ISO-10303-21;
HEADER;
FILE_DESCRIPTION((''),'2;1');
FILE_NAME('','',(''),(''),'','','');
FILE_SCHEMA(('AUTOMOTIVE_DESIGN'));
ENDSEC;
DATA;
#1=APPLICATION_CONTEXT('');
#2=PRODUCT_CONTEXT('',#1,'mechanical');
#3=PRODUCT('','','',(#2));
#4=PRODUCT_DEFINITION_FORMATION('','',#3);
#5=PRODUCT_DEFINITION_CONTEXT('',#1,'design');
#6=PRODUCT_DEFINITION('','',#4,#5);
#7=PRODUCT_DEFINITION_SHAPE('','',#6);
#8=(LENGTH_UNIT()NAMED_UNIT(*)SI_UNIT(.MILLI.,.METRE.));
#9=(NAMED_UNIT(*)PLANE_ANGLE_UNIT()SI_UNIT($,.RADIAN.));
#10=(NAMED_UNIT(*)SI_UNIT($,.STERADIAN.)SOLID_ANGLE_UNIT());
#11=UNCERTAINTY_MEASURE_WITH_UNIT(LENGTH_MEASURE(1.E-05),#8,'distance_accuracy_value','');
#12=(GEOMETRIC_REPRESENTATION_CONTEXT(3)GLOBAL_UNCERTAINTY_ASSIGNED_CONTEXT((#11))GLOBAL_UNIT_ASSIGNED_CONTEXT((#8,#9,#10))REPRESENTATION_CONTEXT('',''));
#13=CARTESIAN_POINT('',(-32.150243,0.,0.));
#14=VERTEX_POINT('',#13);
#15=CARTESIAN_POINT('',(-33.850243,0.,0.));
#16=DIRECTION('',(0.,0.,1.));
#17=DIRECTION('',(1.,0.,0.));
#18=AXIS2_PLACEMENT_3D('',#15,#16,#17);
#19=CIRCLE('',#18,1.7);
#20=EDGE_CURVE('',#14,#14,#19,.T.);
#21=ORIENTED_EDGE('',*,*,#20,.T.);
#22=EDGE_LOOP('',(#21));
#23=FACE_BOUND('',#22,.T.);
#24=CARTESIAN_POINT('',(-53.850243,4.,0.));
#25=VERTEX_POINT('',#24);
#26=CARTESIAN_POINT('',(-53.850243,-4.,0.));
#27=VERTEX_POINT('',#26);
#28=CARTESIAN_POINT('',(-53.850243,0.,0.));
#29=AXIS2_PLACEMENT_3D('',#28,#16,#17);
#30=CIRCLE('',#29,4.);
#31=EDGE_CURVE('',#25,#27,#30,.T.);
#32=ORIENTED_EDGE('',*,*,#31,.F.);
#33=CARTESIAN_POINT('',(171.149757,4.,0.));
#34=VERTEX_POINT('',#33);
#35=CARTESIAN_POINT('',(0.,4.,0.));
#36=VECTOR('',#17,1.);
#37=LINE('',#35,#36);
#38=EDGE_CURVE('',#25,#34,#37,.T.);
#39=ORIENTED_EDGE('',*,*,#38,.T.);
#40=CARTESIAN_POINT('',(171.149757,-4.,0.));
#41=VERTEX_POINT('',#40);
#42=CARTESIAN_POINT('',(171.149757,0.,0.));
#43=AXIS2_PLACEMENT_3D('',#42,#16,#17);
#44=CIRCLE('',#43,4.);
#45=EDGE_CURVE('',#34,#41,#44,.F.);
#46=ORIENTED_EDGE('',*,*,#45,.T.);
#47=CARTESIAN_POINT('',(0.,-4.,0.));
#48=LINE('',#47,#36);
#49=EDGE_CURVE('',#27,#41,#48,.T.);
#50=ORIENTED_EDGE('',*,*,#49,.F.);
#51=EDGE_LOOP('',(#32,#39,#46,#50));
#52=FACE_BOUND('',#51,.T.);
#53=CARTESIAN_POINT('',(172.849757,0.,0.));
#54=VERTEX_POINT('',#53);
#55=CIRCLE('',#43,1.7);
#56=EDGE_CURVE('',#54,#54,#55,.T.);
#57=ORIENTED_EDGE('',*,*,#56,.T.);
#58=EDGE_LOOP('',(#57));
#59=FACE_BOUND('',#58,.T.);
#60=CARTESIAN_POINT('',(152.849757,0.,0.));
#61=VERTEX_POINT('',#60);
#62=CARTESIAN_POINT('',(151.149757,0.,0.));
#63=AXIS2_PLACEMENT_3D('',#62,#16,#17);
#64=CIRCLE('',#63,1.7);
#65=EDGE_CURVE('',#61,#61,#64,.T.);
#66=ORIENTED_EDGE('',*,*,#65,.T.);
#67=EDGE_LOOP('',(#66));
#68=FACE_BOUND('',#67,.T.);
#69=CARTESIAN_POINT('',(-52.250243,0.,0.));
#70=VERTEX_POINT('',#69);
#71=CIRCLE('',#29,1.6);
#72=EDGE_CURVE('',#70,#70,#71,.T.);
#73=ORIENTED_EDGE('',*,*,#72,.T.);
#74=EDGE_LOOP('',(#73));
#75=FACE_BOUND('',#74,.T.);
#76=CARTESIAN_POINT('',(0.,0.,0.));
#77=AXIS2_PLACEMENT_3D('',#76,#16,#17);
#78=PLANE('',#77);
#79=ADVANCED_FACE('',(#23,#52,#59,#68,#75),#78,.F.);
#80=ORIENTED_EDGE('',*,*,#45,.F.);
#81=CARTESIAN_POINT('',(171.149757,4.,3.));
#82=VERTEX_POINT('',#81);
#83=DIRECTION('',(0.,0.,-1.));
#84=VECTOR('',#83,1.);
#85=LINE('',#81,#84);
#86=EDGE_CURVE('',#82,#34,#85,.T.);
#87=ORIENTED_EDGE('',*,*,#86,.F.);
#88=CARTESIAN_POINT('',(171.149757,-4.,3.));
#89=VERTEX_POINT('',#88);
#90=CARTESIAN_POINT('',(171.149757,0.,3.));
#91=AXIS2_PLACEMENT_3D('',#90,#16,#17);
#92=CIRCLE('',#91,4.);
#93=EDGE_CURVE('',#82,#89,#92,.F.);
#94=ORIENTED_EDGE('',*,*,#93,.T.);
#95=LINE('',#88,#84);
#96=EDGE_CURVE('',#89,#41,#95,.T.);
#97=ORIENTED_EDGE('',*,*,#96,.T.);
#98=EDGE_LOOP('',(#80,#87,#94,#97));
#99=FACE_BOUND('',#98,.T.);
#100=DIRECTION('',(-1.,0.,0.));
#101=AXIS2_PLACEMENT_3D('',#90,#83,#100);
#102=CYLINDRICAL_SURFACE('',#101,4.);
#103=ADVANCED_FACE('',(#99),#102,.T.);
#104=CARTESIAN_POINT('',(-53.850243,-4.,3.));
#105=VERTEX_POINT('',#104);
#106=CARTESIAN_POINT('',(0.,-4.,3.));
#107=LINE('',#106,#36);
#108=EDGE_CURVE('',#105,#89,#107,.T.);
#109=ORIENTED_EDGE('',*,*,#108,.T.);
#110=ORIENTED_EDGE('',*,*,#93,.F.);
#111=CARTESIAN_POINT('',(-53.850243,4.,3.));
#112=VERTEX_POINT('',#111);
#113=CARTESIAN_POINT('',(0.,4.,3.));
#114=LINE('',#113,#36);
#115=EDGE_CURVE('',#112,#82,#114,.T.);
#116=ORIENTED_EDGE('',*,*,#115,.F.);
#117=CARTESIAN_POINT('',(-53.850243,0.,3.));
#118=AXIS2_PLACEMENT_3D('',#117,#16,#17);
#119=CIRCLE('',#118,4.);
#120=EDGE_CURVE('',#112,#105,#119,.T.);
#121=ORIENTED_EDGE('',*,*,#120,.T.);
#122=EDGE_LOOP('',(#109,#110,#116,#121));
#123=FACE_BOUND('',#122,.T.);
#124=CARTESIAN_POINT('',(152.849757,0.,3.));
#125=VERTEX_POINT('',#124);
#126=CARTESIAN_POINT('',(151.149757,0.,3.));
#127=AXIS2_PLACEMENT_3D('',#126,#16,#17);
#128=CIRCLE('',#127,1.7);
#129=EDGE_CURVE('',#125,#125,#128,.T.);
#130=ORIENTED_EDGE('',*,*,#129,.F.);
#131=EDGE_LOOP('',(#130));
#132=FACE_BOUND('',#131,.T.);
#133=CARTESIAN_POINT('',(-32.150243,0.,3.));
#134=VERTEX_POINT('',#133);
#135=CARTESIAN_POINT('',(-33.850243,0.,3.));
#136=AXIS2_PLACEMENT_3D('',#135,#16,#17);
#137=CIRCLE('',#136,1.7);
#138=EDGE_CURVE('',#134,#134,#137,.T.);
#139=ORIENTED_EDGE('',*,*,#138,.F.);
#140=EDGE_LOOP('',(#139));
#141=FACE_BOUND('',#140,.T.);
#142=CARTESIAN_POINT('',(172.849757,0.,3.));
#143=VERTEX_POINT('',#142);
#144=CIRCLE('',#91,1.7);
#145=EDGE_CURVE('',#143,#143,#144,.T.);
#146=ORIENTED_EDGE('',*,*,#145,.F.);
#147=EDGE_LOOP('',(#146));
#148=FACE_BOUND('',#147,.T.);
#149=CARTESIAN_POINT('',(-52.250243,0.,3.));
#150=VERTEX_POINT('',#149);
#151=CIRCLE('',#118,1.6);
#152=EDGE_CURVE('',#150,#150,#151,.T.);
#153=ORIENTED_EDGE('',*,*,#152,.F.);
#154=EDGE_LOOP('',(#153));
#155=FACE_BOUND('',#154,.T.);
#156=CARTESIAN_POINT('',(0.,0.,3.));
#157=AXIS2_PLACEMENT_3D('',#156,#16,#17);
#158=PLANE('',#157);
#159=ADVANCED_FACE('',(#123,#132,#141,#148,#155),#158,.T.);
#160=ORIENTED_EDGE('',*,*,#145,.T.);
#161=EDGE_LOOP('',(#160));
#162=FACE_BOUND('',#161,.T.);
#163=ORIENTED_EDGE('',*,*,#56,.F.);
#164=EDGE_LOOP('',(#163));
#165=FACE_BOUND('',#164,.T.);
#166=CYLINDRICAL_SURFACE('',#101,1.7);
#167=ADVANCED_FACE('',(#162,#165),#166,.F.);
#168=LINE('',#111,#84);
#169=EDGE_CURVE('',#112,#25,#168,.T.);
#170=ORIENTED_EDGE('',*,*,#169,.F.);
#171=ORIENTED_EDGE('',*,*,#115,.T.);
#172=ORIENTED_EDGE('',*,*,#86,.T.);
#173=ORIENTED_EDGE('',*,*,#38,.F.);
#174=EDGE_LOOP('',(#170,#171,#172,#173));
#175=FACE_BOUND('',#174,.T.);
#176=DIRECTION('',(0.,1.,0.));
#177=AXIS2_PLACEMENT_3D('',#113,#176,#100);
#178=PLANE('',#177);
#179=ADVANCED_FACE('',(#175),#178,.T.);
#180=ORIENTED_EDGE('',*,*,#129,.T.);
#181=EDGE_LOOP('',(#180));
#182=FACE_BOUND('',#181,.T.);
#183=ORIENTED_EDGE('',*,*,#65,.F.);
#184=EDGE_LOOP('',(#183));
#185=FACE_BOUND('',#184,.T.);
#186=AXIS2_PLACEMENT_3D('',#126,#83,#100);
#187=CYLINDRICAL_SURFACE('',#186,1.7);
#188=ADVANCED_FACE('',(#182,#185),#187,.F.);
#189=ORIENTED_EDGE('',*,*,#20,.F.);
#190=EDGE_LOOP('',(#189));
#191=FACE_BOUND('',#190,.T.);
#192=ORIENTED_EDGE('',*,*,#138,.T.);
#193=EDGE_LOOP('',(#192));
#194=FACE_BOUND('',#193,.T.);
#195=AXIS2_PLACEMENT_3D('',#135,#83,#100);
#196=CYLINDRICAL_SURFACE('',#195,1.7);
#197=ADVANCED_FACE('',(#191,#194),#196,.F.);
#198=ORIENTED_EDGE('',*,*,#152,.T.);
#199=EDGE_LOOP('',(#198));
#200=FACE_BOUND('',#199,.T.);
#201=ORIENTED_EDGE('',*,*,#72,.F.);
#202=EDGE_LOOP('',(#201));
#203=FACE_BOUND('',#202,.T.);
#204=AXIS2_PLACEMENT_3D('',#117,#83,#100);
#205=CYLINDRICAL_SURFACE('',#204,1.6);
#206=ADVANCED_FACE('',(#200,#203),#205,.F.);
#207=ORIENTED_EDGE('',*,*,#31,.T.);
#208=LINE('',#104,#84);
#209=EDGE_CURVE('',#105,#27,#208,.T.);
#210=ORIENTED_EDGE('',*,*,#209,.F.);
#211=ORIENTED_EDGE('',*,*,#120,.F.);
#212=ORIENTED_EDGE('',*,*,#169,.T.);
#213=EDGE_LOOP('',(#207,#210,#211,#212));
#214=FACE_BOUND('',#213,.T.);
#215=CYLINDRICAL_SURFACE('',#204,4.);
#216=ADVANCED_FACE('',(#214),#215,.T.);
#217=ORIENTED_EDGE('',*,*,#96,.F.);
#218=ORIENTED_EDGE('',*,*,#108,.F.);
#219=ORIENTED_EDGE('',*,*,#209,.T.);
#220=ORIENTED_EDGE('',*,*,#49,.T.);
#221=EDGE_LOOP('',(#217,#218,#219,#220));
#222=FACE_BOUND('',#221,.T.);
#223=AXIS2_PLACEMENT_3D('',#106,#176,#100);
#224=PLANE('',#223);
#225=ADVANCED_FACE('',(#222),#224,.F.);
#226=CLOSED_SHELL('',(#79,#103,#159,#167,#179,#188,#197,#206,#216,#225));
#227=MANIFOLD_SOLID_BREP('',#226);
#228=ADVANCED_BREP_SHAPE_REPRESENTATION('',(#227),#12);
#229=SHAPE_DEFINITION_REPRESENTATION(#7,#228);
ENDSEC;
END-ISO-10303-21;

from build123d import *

# Parameters (mm, degrees)
SKETCH_1_R      = 1.6
SKETCH_1_R_2    = 1.7
EXTRUDE_1_DEPTH = 3


with BuildPart() as part:
    # 草图1 → 凸台-拉伸1 (new body)
    with BuildSketch(Plane.XY):
        with BuildLine():
            Line((-53.850242828, 4), (171.149757172, 4))
            ThreePointArc((171.149757172, 4), (175.149757172, 0), (171.149757172, -4))
            Line((171.149757172, -4), (-53.850242828, -4))
            ThreePointArc((-53.850242828, -4), (-57.850242828, 0), (-53.850242828, 4))
        make_face()
        with Locations((-53.850242828, 0)):
            Circle(SKETCH_1_R, mode=Mode.SUBTRACT)
        with Locations((171.149757172, 0)):
            Circle(SKETCH_1_R_2, mode=Mode.SUBTRACT)
        with Locations((151.149757172, 0)):
            Circle(SKETCH_1_R_2, mode=Mode.SUBTRACT)
        with Locations((-33.850242828, 0)):
            Circle(SKETCH_1_R_2, mode=Mode.SUBTRACT)
    extrude(amount=EXTRUDE_1_DEPTH)


solid = part.part
